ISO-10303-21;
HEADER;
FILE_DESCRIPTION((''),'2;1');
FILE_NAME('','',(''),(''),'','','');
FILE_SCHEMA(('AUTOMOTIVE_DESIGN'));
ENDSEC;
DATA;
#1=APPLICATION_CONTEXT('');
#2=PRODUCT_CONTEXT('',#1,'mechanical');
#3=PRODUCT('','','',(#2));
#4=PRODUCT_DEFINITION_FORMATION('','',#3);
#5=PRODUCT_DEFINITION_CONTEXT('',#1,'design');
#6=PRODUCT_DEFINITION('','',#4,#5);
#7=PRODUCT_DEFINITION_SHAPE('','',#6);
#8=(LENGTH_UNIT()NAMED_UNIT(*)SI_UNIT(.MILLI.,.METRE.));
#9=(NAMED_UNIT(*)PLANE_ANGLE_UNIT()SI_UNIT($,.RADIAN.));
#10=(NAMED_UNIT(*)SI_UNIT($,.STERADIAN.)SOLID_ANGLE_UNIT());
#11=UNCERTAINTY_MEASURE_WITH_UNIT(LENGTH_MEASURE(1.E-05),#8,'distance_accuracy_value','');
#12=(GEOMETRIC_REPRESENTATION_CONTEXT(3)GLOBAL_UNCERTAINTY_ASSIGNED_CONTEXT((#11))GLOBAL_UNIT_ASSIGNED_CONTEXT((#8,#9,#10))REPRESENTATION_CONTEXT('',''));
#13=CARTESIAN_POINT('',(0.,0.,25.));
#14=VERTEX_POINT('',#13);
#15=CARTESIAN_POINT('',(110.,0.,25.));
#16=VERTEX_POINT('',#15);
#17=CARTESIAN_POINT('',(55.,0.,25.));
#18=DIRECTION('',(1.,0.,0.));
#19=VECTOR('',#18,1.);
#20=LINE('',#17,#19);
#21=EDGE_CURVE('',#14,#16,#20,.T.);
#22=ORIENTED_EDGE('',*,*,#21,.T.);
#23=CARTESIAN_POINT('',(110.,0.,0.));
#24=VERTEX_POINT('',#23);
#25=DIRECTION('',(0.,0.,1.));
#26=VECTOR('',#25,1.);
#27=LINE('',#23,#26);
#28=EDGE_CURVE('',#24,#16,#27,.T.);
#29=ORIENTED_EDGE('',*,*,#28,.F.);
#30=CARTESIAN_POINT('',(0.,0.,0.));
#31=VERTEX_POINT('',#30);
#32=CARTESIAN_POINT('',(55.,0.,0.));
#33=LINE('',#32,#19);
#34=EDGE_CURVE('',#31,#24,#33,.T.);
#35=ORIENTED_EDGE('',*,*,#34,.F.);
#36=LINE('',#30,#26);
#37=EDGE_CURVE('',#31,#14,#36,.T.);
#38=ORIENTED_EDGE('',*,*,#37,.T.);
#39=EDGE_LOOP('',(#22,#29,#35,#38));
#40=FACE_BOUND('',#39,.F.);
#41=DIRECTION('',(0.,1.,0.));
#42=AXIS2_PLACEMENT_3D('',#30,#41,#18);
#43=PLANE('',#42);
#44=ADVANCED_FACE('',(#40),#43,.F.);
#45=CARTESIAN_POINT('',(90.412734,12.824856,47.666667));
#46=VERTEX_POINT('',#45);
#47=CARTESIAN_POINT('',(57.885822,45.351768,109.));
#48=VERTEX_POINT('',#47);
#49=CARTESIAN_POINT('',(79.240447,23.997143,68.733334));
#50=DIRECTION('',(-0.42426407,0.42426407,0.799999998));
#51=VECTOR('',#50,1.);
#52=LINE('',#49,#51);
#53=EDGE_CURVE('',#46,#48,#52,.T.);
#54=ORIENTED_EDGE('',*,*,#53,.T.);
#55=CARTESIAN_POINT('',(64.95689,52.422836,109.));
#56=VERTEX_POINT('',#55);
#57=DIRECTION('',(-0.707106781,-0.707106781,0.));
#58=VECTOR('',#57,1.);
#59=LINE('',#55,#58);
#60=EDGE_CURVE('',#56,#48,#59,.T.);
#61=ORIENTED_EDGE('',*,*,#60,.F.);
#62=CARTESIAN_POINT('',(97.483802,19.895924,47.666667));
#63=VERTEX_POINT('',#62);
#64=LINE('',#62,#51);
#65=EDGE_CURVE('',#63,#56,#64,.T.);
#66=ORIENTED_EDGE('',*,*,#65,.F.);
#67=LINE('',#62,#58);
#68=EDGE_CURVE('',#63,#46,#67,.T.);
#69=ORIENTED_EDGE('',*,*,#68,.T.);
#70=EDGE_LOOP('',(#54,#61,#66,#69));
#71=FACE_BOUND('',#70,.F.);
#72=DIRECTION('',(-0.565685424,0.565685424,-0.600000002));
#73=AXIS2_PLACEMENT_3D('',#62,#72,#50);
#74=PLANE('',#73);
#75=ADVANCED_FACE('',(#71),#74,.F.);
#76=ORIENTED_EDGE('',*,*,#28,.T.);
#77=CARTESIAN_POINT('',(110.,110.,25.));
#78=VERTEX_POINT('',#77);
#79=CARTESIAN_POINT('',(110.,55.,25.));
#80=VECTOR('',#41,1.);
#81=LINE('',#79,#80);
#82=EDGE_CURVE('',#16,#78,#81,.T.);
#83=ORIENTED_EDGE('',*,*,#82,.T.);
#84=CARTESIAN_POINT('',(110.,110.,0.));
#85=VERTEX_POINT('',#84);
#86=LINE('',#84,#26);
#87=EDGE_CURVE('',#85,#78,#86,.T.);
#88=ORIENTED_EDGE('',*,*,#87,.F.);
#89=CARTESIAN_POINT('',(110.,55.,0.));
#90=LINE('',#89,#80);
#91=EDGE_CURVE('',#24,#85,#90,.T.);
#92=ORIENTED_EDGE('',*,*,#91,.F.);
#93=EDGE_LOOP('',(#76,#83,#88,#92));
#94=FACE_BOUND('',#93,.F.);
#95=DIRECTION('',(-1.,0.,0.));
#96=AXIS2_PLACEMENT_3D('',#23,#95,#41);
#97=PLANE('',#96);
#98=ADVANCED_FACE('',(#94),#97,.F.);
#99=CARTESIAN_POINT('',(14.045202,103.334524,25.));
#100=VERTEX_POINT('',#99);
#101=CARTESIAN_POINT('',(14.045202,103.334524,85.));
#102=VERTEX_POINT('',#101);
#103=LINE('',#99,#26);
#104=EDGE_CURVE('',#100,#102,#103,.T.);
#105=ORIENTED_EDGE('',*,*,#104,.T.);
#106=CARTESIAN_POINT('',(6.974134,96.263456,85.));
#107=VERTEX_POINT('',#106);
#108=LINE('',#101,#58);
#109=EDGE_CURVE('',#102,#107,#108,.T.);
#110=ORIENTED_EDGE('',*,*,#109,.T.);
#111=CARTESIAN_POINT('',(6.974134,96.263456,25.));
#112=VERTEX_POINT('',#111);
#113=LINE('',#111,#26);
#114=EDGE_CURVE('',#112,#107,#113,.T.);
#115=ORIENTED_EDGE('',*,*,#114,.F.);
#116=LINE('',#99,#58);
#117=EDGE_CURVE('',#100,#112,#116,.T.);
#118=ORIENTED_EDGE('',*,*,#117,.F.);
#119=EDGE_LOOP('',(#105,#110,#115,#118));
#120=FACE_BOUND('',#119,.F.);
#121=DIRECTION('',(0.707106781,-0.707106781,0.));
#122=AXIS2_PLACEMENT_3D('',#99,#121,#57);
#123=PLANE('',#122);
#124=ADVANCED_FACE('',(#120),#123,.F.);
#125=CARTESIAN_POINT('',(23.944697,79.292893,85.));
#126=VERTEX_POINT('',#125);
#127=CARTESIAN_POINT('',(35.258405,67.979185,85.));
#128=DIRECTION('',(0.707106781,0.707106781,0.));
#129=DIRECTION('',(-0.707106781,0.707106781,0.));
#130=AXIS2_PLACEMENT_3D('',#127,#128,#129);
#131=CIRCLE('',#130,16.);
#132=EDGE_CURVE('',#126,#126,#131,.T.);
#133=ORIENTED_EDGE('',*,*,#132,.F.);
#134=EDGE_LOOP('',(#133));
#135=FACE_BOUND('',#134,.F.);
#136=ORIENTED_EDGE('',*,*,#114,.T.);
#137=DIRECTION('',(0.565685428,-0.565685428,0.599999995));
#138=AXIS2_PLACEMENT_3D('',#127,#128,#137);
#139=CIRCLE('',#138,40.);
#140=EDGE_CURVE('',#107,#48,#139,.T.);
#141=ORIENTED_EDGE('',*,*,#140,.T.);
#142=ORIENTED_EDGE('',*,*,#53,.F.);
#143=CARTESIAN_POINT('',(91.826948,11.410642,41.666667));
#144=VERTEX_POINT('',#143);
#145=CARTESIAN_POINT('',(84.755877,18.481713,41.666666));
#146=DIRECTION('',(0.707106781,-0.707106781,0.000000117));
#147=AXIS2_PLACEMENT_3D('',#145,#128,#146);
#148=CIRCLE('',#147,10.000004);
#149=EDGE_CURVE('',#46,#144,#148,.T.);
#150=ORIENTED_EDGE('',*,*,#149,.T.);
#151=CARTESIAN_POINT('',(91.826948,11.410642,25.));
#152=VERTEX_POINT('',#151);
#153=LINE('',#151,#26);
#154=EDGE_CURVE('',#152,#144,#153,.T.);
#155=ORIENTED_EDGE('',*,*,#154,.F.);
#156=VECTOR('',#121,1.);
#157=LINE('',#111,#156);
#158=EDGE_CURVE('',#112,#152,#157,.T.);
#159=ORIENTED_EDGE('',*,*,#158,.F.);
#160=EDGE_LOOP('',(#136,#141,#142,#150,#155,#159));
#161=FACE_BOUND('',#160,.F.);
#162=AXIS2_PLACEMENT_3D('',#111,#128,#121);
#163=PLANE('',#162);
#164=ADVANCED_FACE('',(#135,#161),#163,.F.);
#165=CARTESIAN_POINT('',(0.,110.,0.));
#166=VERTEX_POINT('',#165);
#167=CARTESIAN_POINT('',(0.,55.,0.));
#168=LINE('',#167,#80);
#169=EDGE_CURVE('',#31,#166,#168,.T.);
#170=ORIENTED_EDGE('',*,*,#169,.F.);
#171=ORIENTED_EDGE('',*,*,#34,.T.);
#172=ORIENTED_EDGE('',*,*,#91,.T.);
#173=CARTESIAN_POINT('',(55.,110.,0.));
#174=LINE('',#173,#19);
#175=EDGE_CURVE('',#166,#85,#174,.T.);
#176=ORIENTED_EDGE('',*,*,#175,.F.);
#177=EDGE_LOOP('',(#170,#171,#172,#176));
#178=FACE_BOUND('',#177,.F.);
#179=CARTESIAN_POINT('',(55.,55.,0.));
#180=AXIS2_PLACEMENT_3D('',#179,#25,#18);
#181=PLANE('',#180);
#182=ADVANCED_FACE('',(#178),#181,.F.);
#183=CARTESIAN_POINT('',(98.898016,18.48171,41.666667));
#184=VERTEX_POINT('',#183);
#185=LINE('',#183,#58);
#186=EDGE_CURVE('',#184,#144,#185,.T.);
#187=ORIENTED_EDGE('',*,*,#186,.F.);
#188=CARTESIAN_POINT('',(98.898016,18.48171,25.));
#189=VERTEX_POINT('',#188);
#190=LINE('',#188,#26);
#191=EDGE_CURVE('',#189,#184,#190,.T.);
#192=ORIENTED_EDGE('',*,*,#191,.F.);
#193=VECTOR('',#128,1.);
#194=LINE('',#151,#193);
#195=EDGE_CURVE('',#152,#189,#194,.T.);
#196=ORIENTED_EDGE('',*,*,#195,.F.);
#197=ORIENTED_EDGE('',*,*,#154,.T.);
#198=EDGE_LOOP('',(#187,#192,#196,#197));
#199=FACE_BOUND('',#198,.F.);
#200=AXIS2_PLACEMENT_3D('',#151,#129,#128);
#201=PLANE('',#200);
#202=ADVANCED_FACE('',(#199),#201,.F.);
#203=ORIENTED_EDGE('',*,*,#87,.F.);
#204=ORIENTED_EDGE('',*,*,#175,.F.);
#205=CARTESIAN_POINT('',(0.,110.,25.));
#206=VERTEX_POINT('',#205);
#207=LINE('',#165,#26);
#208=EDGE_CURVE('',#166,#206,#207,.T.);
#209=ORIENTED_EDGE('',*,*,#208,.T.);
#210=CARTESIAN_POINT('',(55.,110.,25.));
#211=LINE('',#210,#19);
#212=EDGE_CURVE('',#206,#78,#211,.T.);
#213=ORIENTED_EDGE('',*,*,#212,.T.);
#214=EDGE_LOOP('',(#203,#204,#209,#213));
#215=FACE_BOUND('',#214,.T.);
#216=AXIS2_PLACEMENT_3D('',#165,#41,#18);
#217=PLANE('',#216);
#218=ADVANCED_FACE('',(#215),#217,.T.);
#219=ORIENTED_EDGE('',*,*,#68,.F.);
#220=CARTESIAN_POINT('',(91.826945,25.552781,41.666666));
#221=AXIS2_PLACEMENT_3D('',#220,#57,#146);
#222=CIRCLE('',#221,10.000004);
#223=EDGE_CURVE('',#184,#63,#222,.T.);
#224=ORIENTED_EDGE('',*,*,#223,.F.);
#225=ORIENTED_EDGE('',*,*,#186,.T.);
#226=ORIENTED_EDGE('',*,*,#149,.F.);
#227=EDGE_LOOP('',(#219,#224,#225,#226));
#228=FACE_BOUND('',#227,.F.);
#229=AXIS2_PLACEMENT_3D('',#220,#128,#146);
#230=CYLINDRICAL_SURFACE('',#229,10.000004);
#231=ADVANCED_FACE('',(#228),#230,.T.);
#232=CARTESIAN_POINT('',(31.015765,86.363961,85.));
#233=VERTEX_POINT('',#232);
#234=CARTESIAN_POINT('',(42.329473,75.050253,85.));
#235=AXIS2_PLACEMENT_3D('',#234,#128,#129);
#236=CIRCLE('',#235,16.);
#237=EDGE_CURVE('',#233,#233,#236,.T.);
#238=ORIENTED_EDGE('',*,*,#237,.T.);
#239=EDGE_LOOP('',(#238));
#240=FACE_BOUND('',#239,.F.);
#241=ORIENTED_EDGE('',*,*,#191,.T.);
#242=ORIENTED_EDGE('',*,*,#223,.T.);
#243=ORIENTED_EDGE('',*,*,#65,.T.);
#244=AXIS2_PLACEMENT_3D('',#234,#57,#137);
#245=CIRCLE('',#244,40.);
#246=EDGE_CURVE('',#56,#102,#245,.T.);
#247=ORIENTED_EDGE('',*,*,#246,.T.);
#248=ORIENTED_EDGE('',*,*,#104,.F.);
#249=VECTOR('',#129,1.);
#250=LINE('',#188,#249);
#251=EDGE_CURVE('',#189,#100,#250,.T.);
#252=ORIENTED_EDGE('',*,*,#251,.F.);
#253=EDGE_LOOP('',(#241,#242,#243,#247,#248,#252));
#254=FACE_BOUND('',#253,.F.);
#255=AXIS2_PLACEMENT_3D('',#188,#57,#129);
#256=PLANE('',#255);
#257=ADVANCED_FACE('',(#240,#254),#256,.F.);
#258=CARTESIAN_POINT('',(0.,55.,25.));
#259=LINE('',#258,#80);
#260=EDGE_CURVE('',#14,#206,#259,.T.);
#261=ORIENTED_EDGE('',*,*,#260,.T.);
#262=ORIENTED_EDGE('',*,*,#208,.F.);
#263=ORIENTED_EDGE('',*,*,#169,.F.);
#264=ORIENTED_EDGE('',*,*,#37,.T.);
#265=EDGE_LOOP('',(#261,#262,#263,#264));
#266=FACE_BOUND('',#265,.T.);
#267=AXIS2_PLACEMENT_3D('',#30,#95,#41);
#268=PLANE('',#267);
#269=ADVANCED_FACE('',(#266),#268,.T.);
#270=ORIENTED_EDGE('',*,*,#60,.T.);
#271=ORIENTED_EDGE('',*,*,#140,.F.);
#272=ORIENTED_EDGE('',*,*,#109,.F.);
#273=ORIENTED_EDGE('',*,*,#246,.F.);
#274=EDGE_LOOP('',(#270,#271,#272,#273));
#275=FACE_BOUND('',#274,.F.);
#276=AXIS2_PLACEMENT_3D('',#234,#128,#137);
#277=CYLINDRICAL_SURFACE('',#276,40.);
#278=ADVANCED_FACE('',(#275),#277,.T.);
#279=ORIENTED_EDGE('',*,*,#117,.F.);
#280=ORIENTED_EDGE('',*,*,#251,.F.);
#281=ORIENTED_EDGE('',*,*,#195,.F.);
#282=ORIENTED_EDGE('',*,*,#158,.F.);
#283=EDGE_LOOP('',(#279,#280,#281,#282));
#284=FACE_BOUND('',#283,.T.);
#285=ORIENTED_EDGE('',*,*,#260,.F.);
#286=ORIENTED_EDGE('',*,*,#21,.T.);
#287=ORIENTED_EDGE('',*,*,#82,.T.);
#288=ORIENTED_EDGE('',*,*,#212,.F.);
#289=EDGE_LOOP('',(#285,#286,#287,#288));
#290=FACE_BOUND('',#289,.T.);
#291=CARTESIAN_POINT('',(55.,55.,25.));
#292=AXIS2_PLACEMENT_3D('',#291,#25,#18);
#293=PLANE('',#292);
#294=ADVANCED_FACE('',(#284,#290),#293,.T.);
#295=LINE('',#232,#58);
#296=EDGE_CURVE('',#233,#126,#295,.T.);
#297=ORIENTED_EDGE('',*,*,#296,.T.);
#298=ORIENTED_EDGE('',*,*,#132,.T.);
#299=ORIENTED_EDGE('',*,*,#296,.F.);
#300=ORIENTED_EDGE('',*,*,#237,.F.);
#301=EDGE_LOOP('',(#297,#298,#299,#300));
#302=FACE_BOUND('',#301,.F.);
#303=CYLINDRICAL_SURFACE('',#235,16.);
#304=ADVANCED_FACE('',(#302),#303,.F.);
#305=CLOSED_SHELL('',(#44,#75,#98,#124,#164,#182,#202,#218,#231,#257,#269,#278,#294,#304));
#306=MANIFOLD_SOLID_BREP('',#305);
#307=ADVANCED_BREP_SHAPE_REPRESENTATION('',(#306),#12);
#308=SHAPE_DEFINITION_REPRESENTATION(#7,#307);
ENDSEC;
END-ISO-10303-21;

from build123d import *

# Parameters (mm, degrees)
F0_W     = 110
F0_H     = 110
F1_DEPTH = 25
F3_DEPTH = 120
F4_R     = 16
F5_DEPTH = 25


with BuildPart() as f1:
    # F0 (on Top) → F1 (new body)
    with BuildSketch(Plane.XY):
        with Locations((55, 55)):
            Rectangle(F0_W, F0_H)
    extrude(amount=F1_DEPTH)

    # F2 (on face) → F3 (join)
    with BuildSketch(Plane.XY.offset(25)):
        Polygon((14.045202, 103.334524), (6.974134, 96.263456), (91.826948, 11.410642), (98.898016, 18.48171), align=None)
    extrude(amount=F3_DEPTH)

    # F4 (on face) → F5 (cut)
    with BuildSketch(Plane(origin=(58.689863, 58.689863, 0), x_dir=(-0.707107, 0.707107, 0), z_dir=(0.707107, 0.707107, 0))):
        with BuildLine():
            ThreePointArc((-8.862915, 109), (35.786196, 122.947332), (63.137085, 85))
            Line((63.137085, 85), (63.246235, 158.167794))
            Line((63.246235, 158.167794), (-56.862915, 158.167794))
            Line((-56.862915, 158.167794), (-56.862915, 41.666667))
            ThreePointArc((-56.862915, 41.666667), (-56.349748, 44.828944), (-54.862915, 47.666667))
            Line((-54.862915, 47.666667), (-8.862915, 109))
        make_face()
        with Locations((23.137085, 85)):
            Circle(F4_R)
    extrude(amount=-F5_DEPTH, mode=Mode.SUBTRACT)


solid = f1.part
